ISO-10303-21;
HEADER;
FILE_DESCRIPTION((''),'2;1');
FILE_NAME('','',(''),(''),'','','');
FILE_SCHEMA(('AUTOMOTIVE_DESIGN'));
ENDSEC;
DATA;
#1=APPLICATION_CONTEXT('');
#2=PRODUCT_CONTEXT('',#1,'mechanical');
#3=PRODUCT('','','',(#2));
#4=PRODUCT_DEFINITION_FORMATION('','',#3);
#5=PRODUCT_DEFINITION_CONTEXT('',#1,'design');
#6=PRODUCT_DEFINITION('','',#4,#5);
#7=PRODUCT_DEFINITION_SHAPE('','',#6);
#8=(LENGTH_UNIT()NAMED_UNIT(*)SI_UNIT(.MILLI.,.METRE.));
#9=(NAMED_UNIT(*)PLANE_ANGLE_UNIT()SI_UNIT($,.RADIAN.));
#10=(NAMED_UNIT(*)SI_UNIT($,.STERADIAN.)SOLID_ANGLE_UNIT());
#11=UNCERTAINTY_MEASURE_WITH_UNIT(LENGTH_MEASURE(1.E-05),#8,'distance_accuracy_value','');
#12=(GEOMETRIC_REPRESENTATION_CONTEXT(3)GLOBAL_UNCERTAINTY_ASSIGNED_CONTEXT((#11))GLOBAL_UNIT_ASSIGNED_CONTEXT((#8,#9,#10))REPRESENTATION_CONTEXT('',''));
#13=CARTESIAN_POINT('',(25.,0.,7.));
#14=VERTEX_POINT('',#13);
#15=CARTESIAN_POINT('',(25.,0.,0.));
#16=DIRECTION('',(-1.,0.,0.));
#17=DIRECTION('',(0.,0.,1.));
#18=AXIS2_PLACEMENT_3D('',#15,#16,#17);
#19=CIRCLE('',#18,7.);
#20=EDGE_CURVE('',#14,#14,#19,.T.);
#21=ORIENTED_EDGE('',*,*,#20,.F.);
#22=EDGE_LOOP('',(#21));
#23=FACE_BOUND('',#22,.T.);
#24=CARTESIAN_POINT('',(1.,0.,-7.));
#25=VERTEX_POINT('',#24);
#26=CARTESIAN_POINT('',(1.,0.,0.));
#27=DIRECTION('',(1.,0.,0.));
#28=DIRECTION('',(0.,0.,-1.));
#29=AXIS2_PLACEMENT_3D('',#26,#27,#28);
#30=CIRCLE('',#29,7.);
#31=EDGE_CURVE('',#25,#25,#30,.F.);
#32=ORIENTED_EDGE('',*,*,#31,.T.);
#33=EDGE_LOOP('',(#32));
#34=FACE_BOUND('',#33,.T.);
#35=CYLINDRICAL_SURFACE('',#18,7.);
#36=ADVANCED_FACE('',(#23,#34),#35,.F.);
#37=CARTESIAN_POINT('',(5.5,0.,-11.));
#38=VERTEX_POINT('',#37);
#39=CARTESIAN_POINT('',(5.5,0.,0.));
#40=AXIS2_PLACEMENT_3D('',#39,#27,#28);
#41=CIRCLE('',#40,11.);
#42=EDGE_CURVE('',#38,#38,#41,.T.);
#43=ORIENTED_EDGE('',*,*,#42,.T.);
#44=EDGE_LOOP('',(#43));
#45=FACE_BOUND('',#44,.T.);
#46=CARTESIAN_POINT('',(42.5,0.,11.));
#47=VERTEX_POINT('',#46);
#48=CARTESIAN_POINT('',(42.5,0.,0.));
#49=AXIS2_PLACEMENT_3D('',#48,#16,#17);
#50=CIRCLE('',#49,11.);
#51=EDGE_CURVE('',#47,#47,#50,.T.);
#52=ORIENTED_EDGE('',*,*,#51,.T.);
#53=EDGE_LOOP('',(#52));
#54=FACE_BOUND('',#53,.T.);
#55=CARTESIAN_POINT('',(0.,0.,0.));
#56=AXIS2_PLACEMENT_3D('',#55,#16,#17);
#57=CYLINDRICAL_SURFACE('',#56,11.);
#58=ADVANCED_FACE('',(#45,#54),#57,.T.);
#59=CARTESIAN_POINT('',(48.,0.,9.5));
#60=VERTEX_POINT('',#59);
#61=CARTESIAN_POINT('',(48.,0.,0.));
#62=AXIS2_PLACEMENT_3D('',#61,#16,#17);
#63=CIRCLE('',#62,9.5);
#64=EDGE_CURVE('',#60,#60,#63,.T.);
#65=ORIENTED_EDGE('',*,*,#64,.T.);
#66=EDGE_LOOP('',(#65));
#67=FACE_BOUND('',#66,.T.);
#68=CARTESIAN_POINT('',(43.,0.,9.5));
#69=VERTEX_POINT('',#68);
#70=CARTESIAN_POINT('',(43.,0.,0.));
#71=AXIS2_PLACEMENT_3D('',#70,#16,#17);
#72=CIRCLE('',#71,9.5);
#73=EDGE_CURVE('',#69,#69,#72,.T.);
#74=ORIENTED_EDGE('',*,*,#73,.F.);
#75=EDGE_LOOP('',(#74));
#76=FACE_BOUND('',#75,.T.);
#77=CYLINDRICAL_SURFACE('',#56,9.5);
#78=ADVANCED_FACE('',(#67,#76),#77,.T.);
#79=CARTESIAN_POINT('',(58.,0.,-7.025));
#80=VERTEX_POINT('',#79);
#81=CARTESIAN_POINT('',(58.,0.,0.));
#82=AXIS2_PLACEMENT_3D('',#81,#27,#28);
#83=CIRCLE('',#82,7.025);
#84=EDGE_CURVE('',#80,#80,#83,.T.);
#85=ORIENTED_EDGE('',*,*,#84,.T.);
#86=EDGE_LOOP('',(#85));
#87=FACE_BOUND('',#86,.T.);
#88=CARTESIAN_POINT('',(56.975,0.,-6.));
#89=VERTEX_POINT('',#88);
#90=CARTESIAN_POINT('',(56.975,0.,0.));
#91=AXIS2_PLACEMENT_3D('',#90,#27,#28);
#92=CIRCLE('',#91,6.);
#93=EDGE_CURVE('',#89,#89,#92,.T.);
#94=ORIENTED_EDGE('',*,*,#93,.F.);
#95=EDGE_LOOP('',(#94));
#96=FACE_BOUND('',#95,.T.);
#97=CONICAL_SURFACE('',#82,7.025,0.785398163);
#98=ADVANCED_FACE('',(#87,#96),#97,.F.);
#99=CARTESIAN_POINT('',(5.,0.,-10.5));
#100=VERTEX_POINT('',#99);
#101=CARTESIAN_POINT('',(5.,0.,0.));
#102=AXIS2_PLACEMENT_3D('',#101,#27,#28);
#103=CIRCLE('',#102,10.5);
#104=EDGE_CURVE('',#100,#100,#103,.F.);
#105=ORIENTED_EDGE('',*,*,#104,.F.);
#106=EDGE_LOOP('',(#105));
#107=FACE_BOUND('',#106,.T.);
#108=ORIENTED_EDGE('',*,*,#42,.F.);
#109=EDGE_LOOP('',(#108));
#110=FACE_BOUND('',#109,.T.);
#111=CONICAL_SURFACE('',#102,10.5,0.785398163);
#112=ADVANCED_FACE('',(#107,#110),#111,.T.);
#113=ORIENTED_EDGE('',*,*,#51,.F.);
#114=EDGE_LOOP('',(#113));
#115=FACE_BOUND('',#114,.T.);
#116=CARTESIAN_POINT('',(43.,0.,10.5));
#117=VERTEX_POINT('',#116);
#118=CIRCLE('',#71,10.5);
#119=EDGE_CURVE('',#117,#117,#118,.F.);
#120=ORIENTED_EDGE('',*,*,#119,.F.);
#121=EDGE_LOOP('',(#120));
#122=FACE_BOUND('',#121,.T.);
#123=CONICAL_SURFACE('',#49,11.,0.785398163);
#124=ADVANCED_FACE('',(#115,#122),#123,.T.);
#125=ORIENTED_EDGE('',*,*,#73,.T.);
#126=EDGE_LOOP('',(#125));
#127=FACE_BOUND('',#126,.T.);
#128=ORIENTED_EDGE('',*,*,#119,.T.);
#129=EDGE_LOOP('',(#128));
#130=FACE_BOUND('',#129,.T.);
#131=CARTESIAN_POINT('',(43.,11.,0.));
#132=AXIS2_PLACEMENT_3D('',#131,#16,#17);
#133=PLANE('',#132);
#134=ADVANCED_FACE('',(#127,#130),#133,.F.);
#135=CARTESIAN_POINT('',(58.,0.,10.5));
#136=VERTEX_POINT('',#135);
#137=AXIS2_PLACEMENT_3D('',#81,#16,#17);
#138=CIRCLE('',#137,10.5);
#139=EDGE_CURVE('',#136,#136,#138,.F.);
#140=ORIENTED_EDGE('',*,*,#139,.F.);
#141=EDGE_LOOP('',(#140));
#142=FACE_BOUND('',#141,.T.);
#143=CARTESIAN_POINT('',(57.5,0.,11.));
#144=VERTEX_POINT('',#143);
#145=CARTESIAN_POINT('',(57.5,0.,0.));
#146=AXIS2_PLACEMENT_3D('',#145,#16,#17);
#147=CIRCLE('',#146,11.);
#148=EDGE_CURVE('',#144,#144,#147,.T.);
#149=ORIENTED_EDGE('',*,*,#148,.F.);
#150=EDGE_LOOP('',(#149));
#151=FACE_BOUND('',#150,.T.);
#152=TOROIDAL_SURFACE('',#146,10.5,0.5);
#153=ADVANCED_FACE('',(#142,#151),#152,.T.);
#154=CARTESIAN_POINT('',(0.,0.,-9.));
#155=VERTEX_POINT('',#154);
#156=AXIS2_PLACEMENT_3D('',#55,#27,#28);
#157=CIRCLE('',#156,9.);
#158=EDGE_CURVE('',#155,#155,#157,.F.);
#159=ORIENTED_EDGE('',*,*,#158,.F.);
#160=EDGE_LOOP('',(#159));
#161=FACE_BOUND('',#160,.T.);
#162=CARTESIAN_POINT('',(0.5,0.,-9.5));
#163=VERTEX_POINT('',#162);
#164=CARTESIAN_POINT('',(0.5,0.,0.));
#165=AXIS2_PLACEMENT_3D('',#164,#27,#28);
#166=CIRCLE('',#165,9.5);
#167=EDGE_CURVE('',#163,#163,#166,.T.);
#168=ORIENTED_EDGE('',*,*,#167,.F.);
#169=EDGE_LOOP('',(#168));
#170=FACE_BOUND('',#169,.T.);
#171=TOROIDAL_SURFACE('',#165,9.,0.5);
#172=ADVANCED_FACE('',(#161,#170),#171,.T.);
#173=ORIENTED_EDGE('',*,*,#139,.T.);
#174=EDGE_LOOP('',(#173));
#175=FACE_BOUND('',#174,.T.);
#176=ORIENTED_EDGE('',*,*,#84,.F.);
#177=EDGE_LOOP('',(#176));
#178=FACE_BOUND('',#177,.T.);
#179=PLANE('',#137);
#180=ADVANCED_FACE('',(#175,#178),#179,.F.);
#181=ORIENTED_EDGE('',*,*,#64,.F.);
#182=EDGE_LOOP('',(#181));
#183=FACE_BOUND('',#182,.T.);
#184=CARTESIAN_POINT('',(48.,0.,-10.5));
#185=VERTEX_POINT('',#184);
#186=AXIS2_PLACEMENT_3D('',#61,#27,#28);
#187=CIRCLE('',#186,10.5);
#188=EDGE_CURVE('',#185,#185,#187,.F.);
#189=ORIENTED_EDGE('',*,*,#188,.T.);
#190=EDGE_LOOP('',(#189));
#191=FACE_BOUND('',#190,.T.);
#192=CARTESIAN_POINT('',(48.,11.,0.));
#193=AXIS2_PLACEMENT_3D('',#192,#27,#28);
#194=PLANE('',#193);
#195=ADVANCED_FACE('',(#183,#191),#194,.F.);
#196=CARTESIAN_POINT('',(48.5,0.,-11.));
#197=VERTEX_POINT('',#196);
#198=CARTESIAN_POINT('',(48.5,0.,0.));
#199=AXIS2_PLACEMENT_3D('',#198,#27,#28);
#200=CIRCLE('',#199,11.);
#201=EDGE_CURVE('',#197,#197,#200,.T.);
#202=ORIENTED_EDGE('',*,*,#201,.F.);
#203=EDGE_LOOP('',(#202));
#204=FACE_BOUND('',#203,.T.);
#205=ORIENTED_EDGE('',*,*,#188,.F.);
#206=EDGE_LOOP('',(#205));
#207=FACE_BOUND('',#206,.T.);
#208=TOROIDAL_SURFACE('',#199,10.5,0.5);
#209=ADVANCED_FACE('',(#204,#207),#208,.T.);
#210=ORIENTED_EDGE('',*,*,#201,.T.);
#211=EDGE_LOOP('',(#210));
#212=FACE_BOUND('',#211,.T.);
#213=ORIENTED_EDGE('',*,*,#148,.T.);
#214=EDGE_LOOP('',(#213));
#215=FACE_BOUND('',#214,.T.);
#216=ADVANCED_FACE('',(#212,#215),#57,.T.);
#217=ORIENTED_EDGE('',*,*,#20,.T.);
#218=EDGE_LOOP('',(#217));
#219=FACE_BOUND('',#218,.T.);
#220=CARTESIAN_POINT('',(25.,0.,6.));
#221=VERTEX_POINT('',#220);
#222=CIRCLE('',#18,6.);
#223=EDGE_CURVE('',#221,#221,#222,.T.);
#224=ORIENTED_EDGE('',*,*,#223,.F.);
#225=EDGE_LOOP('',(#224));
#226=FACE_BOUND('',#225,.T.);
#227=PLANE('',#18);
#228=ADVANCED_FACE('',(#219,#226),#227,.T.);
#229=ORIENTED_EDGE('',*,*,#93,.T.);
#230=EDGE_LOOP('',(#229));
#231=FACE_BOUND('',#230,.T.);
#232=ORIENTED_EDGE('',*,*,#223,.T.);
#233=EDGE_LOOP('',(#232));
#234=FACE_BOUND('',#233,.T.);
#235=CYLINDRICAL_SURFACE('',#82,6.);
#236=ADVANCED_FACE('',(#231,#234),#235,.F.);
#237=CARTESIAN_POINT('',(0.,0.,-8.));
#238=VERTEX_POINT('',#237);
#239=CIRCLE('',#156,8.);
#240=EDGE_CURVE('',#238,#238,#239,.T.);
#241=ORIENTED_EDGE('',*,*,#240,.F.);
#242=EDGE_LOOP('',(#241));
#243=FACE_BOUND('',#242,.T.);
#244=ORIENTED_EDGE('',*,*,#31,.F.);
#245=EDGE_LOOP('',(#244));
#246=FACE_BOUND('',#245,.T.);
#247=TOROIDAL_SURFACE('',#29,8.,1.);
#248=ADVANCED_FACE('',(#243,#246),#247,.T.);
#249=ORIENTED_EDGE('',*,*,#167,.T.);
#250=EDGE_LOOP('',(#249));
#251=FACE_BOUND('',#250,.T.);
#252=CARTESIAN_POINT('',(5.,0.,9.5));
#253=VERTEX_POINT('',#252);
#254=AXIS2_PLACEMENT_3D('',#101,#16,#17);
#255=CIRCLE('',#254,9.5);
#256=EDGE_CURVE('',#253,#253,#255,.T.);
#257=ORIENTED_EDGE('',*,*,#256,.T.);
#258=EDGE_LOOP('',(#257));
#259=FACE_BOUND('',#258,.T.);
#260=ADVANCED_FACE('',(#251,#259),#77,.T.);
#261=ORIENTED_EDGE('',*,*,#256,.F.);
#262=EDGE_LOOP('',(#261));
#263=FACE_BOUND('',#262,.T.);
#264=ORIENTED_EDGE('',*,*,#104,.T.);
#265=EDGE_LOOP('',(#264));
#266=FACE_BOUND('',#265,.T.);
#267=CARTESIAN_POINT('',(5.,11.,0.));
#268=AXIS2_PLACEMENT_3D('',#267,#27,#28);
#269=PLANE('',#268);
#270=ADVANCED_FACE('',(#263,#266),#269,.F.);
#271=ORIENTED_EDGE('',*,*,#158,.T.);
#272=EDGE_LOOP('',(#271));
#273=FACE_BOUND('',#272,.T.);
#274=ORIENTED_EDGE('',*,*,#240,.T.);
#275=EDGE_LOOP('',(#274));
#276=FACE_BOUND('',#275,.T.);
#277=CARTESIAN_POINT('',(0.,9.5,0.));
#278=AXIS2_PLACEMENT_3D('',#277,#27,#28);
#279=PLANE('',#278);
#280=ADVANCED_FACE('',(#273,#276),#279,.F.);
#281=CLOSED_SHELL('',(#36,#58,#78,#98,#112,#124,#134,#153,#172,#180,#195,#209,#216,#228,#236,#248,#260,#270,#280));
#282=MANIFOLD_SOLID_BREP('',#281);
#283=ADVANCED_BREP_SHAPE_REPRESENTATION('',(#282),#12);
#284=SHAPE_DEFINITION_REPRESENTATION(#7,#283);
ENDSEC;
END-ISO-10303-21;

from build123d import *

# Parameters (mm, degrees)
ESBO_O2_R                        = 7
CORTE_EXTRUS_O1_DEPTH            = 25
FURO_ROSCADO_DE_M141_D           = 12
FURO_ROSCADO_DE_M141_DEPTH       = 35
FURO_ROSCADO_DE_M141_CSINK_D     = 14.05
FURO_ROSCADO_DE_M141_CSINK_ANGLE = 90
FURO_ROSCADO_DE_M141_TIP         = 3.605163714
FILETE1_R                        = 0.5
FILETE2_R                        = 1
CHANFRO1_SIZE                    = 0.5


with BuildPart() as part:
    # Esboço1 → Revolução1 (revolve)
    with BuildSketch(Plane.XY, mode=Mode.PRIVATE) as revolu_o1_sk:
        Polygon((0, 0), (58, 0), (58, 11), (48, 11), (48, 9.5), (43, 9.5), (43, 11), (5, 11), (5, 9.5), (0, 9.5), align=None)
    revolve(revolu_o1_sk.sketch.rotate(Axis((0, 0, 0), (1, 0, 0)), 90), axis=Axis((0, 0, 0), (1, 0, 0)))

    # Esboço2 → Corte-extrusão1 (cut)
    with BuildSketch(Plane.ZY):
        Circle(ESBO_O2_R)
    extrude(amount=-CORTE_EXTRUS_O1_DEPTH, mode=Mode.SUBTRACT)

    # Furo roscado de M141
    with Locations(Plane(origin=(58, 0, 0), x_dir=(0, 0, -1), z_dir=(1, 0, 0))):
        with Locations((0, 0)):
            CounterSinkHole(FURO_ROSCADO_DE_M141_D / 2, FURO_ROSCADO_DE_M141_CSINK_D / 2, depth=FURO_ROSCADO_DE_M141_DEPTH, counter_sink_angle=FURO_ROSCADO_DE_M141_CSINK_ANGLE)
            with Locations((0, 0, -(FURO_ROSCADO_DE_M141_DEPTH + FURO_ROSCADO_DE_M141_TIP / 2))):  # 118° drill point
                Cone(0, FURO_ROSCADO_DE_M141_D / 2, FURO_ROSCADO_DE_M141_TIP, mode=Mode.SUBTRACT)

    # Filete1
    filete1_edges = [part.edges().sort_by_distance(p)[0] for p in [
        (58, 0, -11),
        (0, 0, -9.5),
        (48, 0, -11),
    ]]
    fillet(filete1_edges, radius=FILETE1_R)

    # Filete2
    filete2_edges = [part.edges().sort_by_distance(p)[0] for p in [
        (0, 0, -7),
    ]]
    fillet(filete2_edges, radius=FILETE2_R)

    # Chanfro1
    chanfro1_edges = [part.edges().sort_by_distance(p)[0] for p in [
        (5, 0, -11),
        (43, 0, -11),
    ]]
    chamfer(chanfro1_edges, length=CHANFRO1_SIZE)


solid = part.part
